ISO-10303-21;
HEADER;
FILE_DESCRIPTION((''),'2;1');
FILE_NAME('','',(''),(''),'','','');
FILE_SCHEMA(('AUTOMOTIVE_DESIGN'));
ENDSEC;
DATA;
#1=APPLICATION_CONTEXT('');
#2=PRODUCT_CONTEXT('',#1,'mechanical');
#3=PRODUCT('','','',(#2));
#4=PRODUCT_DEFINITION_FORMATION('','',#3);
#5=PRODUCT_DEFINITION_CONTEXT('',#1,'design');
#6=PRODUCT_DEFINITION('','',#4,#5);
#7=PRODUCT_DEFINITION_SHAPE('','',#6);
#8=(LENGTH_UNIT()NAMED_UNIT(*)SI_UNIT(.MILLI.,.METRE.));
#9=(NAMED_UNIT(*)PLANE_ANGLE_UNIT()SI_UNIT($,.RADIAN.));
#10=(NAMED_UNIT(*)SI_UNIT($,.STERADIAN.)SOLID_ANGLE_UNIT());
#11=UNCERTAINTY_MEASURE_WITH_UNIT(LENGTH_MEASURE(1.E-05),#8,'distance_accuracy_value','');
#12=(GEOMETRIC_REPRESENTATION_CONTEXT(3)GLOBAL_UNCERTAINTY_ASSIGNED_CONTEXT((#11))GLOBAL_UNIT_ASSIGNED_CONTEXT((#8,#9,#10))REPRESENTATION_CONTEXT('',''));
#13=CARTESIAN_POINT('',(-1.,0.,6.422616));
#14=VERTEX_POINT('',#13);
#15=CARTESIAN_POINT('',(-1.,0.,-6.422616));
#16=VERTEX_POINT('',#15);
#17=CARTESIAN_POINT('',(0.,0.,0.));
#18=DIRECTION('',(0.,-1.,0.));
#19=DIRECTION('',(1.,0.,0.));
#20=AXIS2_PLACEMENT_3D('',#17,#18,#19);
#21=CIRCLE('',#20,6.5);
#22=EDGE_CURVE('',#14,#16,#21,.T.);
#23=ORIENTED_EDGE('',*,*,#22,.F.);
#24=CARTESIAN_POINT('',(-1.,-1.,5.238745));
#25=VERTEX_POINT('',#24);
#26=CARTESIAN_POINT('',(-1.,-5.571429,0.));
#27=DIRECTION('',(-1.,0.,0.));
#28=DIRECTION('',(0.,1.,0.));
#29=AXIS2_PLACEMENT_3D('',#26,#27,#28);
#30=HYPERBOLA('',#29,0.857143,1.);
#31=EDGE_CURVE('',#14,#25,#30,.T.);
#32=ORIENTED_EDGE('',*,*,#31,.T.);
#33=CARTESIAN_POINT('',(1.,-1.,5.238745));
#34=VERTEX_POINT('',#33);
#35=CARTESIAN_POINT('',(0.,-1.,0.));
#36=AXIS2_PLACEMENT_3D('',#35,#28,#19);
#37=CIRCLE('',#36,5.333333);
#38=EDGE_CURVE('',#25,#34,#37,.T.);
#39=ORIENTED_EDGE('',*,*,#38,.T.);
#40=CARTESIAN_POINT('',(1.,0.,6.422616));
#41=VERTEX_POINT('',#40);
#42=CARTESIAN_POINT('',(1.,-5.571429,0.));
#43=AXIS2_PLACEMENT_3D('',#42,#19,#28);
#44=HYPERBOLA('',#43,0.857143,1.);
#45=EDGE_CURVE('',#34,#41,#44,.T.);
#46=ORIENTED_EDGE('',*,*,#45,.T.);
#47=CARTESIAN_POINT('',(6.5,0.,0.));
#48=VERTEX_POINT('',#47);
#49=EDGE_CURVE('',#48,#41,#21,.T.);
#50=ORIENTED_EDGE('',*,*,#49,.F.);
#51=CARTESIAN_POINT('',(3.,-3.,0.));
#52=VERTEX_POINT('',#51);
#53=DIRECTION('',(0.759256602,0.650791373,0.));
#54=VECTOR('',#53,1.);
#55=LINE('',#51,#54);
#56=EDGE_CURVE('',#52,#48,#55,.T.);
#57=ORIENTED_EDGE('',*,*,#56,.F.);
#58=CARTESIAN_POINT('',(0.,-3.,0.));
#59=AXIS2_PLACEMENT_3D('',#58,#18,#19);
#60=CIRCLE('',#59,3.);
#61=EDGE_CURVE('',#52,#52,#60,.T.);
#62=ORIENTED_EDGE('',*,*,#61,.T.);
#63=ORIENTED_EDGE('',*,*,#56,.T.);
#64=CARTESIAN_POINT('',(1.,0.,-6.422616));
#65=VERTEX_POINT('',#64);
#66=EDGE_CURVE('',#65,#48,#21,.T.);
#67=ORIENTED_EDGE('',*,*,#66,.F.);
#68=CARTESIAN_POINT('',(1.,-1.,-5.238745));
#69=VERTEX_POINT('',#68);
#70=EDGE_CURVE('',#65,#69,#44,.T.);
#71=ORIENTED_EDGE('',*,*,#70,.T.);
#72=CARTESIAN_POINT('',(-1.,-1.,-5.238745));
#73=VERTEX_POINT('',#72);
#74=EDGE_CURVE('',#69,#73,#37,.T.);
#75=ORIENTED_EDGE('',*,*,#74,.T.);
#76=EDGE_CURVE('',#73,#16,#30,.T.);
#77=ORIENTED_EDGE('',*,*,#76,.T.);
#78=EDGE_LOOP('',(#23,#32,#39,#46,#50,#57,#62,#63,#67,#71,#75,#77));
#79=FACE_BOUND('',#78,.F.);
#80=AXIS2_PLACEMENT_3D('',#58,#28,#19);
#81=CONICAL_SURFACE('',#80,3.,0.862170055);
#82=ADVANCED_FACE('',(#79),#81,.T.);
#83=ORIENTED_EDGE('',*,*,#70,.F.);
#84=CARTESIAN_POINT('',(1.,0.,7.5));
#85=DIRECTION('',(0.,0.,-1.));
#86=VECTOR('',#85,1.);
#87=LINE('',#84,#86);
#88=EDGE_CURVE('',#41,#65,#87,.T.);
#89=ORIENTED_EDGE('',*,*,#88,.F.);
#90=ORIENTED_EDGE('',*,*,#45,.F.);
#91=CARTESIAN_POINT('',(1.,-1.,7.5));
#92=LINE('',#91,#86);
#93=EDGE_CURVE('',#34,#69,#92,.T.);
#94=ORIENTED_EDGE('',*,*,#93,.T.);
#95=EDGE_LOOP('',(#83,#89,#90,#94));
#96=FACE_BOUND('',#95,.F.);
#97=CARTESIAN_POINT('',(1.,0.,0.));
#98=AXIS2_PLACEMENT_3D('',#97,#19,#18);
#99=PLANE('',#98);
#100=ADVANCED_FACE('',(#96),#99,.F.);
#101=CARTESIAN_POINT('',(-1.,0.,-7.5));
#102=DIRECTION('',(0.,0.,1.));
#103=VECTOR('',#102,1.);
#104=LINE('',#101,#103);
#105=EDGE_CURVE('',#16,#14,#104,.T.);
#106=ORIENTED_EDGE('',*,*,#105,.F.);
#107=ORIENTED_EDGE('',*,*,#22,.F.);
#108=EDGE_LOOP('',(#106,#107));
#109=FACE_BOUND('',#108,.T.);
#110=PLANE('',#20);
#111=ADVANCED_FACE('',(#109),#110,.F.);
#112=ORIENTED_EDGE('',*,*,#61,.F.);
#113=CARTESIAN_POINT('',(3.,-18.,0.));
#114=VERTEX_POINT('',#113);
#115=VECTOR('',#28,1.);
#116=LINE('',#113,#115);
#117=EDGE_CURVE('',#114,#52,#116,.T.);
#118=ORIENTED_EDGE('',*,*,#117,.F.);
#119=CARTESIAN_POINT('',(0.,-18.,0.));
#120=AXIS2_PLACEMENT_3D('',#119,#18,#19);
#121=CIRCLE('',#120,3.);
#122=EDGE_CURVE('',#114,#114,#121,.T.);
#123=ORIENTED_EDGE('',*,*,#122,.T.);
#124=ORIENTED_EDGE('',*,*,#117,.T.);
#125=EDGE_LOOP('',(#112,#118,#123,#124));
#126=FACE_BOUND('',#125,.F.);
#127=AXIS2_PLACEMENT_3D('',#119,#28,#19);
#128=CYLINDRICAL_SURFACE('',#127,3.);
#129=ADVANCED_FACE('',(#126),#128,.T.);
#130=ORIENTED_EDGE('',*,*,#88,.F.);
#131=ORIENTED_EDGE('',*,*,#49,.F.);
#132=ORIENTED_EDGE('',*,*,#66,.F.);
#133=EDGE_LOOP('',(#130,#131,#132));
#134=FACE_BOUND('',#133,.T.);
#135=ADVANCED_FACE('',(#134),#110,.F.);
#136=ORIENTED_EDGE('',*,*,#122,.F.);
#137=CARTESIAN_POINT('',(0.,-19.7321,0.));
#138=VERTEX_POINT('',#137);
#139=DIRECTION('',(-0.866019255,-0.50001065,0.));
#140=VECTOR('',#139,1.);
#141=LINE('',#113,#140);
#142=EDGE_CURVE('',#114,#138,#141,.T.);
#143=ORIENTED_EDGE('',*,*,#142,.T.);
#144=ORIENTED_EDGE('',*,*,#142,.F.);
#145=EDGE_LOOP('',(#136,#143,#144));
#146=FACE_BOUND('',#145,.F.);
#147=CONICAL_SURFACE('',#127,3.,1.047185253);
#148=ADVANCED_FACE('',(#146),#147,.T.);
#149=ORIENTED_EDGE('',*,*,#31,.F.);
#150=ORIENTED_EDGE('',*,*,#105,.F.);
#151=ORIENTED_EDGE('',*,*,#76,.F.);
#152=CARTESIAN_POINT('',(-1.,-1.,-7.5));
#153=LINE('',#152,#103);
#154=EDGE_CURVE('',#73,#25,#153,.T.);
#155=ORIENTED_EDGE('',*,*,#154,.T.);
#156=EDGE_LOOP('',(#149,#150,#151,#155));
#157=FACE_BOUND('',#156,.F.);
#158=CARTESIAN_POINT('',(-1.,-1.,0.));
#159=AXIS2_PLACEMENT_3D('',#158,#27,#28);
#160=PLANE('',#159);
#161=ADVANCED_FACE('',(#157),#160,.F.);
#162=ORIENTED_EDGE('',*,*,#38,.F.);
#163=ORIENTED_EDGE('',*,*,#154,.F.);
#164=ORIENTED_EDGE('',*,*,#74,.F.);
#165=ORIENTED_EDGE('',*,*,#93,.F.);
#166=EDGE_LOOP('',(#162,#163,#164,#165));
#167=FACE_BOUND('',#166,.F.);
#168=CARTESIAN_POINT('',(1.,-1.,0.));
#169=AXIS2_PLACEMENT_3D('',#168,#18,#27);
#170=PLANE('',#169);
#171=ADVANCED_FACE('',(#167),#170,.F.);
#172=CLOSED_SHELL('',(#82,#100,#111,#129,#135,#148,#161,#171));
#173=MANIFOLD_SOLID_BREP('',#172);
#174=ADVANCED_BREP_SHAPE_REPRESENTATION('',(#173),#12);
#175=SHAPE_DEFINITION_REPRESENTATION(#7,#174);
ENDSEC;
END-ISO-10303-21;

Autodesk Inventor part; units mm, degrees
ref_plane "YZ Plane" through (0, 0, 0) normal (1, 0, 0) x (0, 1, 0)
ref_plane "XZ Plane" through (0, 0, 0) normal (0, 1, 0) x (-1, 0, 0)
ref_plane "XY Plane" through (0, 0, 0) normal (0, 0, 1) x (1, 0, 0)
sketch "Boceto1" plane through (0, 0, 0) normal (0, 0, 1) x (1, 0, 0)
  line L0 (0, -18) -> (3, -18)
  line L1 (3, -18) -> (3, -3)
  line L2 (0, 0) -> (6.5, 0)
  line L3 (3, -3) -> (6.5, 0)
  line L4 (0, 2.8182) -> (0, -20.4465)
  line L5 (0, 0) -> (0, -1)
  dimension "d0" = 3
  dimension "d1" = 15
  dimension "d2" = 6.5
  dimension "d3" = 3
  dimension "d4" = 0
  dimension "d5" = 1
revolve "Revolución1" add sketch "Boceto1" angle 360 about axis through (0, 2.8182, 0) along (0, -1, 0)
sketch "Boceto2" plane through (0, 0, 0) normal (0, 0, 1) x (1, 0, 0)
  line L0 (0, 0) -> (1, 0)
  line L1 (-6.5, 0) -> (6.5, 0) projected
  line L2 (1, 0) -> (1, -1)
  line L3 (1, -1) -> (0, -1)
  line L4 (1, -1) -> (-1, -1)
  line L5 (-1, -1) -> (-1, 0)
  dimension "d7" = 1
  dimension "d8" = 1
  dimension "d10" = 2
extrude "Extrusión1" cut sketch "Boceto2" along normal mid plane 15
sketch "Boceto3" plane through (0, 0, 0) normal (0, 0, 1) x (1, 0, 0)
  point P0 (0, 0)
sketch "Boceto4" plane through (0, 0, 0) normal (0, 0, 1) x (1, 0, 0)
  line L0 (-3, -18) -> (3, -18) projected
  line L1 (3, -18) -> (0, -19.7321)
  line L2 (0, -19.7321) -> (0, -18)
  point P0 (0, 0)
revolve "Revolución2" add sketch "Boceto4" angle 360 about axis through (0, -19.7321, 0) along (0, 1, 0)
properties part number "tornillo corto f" material "Hierro, fundido"
